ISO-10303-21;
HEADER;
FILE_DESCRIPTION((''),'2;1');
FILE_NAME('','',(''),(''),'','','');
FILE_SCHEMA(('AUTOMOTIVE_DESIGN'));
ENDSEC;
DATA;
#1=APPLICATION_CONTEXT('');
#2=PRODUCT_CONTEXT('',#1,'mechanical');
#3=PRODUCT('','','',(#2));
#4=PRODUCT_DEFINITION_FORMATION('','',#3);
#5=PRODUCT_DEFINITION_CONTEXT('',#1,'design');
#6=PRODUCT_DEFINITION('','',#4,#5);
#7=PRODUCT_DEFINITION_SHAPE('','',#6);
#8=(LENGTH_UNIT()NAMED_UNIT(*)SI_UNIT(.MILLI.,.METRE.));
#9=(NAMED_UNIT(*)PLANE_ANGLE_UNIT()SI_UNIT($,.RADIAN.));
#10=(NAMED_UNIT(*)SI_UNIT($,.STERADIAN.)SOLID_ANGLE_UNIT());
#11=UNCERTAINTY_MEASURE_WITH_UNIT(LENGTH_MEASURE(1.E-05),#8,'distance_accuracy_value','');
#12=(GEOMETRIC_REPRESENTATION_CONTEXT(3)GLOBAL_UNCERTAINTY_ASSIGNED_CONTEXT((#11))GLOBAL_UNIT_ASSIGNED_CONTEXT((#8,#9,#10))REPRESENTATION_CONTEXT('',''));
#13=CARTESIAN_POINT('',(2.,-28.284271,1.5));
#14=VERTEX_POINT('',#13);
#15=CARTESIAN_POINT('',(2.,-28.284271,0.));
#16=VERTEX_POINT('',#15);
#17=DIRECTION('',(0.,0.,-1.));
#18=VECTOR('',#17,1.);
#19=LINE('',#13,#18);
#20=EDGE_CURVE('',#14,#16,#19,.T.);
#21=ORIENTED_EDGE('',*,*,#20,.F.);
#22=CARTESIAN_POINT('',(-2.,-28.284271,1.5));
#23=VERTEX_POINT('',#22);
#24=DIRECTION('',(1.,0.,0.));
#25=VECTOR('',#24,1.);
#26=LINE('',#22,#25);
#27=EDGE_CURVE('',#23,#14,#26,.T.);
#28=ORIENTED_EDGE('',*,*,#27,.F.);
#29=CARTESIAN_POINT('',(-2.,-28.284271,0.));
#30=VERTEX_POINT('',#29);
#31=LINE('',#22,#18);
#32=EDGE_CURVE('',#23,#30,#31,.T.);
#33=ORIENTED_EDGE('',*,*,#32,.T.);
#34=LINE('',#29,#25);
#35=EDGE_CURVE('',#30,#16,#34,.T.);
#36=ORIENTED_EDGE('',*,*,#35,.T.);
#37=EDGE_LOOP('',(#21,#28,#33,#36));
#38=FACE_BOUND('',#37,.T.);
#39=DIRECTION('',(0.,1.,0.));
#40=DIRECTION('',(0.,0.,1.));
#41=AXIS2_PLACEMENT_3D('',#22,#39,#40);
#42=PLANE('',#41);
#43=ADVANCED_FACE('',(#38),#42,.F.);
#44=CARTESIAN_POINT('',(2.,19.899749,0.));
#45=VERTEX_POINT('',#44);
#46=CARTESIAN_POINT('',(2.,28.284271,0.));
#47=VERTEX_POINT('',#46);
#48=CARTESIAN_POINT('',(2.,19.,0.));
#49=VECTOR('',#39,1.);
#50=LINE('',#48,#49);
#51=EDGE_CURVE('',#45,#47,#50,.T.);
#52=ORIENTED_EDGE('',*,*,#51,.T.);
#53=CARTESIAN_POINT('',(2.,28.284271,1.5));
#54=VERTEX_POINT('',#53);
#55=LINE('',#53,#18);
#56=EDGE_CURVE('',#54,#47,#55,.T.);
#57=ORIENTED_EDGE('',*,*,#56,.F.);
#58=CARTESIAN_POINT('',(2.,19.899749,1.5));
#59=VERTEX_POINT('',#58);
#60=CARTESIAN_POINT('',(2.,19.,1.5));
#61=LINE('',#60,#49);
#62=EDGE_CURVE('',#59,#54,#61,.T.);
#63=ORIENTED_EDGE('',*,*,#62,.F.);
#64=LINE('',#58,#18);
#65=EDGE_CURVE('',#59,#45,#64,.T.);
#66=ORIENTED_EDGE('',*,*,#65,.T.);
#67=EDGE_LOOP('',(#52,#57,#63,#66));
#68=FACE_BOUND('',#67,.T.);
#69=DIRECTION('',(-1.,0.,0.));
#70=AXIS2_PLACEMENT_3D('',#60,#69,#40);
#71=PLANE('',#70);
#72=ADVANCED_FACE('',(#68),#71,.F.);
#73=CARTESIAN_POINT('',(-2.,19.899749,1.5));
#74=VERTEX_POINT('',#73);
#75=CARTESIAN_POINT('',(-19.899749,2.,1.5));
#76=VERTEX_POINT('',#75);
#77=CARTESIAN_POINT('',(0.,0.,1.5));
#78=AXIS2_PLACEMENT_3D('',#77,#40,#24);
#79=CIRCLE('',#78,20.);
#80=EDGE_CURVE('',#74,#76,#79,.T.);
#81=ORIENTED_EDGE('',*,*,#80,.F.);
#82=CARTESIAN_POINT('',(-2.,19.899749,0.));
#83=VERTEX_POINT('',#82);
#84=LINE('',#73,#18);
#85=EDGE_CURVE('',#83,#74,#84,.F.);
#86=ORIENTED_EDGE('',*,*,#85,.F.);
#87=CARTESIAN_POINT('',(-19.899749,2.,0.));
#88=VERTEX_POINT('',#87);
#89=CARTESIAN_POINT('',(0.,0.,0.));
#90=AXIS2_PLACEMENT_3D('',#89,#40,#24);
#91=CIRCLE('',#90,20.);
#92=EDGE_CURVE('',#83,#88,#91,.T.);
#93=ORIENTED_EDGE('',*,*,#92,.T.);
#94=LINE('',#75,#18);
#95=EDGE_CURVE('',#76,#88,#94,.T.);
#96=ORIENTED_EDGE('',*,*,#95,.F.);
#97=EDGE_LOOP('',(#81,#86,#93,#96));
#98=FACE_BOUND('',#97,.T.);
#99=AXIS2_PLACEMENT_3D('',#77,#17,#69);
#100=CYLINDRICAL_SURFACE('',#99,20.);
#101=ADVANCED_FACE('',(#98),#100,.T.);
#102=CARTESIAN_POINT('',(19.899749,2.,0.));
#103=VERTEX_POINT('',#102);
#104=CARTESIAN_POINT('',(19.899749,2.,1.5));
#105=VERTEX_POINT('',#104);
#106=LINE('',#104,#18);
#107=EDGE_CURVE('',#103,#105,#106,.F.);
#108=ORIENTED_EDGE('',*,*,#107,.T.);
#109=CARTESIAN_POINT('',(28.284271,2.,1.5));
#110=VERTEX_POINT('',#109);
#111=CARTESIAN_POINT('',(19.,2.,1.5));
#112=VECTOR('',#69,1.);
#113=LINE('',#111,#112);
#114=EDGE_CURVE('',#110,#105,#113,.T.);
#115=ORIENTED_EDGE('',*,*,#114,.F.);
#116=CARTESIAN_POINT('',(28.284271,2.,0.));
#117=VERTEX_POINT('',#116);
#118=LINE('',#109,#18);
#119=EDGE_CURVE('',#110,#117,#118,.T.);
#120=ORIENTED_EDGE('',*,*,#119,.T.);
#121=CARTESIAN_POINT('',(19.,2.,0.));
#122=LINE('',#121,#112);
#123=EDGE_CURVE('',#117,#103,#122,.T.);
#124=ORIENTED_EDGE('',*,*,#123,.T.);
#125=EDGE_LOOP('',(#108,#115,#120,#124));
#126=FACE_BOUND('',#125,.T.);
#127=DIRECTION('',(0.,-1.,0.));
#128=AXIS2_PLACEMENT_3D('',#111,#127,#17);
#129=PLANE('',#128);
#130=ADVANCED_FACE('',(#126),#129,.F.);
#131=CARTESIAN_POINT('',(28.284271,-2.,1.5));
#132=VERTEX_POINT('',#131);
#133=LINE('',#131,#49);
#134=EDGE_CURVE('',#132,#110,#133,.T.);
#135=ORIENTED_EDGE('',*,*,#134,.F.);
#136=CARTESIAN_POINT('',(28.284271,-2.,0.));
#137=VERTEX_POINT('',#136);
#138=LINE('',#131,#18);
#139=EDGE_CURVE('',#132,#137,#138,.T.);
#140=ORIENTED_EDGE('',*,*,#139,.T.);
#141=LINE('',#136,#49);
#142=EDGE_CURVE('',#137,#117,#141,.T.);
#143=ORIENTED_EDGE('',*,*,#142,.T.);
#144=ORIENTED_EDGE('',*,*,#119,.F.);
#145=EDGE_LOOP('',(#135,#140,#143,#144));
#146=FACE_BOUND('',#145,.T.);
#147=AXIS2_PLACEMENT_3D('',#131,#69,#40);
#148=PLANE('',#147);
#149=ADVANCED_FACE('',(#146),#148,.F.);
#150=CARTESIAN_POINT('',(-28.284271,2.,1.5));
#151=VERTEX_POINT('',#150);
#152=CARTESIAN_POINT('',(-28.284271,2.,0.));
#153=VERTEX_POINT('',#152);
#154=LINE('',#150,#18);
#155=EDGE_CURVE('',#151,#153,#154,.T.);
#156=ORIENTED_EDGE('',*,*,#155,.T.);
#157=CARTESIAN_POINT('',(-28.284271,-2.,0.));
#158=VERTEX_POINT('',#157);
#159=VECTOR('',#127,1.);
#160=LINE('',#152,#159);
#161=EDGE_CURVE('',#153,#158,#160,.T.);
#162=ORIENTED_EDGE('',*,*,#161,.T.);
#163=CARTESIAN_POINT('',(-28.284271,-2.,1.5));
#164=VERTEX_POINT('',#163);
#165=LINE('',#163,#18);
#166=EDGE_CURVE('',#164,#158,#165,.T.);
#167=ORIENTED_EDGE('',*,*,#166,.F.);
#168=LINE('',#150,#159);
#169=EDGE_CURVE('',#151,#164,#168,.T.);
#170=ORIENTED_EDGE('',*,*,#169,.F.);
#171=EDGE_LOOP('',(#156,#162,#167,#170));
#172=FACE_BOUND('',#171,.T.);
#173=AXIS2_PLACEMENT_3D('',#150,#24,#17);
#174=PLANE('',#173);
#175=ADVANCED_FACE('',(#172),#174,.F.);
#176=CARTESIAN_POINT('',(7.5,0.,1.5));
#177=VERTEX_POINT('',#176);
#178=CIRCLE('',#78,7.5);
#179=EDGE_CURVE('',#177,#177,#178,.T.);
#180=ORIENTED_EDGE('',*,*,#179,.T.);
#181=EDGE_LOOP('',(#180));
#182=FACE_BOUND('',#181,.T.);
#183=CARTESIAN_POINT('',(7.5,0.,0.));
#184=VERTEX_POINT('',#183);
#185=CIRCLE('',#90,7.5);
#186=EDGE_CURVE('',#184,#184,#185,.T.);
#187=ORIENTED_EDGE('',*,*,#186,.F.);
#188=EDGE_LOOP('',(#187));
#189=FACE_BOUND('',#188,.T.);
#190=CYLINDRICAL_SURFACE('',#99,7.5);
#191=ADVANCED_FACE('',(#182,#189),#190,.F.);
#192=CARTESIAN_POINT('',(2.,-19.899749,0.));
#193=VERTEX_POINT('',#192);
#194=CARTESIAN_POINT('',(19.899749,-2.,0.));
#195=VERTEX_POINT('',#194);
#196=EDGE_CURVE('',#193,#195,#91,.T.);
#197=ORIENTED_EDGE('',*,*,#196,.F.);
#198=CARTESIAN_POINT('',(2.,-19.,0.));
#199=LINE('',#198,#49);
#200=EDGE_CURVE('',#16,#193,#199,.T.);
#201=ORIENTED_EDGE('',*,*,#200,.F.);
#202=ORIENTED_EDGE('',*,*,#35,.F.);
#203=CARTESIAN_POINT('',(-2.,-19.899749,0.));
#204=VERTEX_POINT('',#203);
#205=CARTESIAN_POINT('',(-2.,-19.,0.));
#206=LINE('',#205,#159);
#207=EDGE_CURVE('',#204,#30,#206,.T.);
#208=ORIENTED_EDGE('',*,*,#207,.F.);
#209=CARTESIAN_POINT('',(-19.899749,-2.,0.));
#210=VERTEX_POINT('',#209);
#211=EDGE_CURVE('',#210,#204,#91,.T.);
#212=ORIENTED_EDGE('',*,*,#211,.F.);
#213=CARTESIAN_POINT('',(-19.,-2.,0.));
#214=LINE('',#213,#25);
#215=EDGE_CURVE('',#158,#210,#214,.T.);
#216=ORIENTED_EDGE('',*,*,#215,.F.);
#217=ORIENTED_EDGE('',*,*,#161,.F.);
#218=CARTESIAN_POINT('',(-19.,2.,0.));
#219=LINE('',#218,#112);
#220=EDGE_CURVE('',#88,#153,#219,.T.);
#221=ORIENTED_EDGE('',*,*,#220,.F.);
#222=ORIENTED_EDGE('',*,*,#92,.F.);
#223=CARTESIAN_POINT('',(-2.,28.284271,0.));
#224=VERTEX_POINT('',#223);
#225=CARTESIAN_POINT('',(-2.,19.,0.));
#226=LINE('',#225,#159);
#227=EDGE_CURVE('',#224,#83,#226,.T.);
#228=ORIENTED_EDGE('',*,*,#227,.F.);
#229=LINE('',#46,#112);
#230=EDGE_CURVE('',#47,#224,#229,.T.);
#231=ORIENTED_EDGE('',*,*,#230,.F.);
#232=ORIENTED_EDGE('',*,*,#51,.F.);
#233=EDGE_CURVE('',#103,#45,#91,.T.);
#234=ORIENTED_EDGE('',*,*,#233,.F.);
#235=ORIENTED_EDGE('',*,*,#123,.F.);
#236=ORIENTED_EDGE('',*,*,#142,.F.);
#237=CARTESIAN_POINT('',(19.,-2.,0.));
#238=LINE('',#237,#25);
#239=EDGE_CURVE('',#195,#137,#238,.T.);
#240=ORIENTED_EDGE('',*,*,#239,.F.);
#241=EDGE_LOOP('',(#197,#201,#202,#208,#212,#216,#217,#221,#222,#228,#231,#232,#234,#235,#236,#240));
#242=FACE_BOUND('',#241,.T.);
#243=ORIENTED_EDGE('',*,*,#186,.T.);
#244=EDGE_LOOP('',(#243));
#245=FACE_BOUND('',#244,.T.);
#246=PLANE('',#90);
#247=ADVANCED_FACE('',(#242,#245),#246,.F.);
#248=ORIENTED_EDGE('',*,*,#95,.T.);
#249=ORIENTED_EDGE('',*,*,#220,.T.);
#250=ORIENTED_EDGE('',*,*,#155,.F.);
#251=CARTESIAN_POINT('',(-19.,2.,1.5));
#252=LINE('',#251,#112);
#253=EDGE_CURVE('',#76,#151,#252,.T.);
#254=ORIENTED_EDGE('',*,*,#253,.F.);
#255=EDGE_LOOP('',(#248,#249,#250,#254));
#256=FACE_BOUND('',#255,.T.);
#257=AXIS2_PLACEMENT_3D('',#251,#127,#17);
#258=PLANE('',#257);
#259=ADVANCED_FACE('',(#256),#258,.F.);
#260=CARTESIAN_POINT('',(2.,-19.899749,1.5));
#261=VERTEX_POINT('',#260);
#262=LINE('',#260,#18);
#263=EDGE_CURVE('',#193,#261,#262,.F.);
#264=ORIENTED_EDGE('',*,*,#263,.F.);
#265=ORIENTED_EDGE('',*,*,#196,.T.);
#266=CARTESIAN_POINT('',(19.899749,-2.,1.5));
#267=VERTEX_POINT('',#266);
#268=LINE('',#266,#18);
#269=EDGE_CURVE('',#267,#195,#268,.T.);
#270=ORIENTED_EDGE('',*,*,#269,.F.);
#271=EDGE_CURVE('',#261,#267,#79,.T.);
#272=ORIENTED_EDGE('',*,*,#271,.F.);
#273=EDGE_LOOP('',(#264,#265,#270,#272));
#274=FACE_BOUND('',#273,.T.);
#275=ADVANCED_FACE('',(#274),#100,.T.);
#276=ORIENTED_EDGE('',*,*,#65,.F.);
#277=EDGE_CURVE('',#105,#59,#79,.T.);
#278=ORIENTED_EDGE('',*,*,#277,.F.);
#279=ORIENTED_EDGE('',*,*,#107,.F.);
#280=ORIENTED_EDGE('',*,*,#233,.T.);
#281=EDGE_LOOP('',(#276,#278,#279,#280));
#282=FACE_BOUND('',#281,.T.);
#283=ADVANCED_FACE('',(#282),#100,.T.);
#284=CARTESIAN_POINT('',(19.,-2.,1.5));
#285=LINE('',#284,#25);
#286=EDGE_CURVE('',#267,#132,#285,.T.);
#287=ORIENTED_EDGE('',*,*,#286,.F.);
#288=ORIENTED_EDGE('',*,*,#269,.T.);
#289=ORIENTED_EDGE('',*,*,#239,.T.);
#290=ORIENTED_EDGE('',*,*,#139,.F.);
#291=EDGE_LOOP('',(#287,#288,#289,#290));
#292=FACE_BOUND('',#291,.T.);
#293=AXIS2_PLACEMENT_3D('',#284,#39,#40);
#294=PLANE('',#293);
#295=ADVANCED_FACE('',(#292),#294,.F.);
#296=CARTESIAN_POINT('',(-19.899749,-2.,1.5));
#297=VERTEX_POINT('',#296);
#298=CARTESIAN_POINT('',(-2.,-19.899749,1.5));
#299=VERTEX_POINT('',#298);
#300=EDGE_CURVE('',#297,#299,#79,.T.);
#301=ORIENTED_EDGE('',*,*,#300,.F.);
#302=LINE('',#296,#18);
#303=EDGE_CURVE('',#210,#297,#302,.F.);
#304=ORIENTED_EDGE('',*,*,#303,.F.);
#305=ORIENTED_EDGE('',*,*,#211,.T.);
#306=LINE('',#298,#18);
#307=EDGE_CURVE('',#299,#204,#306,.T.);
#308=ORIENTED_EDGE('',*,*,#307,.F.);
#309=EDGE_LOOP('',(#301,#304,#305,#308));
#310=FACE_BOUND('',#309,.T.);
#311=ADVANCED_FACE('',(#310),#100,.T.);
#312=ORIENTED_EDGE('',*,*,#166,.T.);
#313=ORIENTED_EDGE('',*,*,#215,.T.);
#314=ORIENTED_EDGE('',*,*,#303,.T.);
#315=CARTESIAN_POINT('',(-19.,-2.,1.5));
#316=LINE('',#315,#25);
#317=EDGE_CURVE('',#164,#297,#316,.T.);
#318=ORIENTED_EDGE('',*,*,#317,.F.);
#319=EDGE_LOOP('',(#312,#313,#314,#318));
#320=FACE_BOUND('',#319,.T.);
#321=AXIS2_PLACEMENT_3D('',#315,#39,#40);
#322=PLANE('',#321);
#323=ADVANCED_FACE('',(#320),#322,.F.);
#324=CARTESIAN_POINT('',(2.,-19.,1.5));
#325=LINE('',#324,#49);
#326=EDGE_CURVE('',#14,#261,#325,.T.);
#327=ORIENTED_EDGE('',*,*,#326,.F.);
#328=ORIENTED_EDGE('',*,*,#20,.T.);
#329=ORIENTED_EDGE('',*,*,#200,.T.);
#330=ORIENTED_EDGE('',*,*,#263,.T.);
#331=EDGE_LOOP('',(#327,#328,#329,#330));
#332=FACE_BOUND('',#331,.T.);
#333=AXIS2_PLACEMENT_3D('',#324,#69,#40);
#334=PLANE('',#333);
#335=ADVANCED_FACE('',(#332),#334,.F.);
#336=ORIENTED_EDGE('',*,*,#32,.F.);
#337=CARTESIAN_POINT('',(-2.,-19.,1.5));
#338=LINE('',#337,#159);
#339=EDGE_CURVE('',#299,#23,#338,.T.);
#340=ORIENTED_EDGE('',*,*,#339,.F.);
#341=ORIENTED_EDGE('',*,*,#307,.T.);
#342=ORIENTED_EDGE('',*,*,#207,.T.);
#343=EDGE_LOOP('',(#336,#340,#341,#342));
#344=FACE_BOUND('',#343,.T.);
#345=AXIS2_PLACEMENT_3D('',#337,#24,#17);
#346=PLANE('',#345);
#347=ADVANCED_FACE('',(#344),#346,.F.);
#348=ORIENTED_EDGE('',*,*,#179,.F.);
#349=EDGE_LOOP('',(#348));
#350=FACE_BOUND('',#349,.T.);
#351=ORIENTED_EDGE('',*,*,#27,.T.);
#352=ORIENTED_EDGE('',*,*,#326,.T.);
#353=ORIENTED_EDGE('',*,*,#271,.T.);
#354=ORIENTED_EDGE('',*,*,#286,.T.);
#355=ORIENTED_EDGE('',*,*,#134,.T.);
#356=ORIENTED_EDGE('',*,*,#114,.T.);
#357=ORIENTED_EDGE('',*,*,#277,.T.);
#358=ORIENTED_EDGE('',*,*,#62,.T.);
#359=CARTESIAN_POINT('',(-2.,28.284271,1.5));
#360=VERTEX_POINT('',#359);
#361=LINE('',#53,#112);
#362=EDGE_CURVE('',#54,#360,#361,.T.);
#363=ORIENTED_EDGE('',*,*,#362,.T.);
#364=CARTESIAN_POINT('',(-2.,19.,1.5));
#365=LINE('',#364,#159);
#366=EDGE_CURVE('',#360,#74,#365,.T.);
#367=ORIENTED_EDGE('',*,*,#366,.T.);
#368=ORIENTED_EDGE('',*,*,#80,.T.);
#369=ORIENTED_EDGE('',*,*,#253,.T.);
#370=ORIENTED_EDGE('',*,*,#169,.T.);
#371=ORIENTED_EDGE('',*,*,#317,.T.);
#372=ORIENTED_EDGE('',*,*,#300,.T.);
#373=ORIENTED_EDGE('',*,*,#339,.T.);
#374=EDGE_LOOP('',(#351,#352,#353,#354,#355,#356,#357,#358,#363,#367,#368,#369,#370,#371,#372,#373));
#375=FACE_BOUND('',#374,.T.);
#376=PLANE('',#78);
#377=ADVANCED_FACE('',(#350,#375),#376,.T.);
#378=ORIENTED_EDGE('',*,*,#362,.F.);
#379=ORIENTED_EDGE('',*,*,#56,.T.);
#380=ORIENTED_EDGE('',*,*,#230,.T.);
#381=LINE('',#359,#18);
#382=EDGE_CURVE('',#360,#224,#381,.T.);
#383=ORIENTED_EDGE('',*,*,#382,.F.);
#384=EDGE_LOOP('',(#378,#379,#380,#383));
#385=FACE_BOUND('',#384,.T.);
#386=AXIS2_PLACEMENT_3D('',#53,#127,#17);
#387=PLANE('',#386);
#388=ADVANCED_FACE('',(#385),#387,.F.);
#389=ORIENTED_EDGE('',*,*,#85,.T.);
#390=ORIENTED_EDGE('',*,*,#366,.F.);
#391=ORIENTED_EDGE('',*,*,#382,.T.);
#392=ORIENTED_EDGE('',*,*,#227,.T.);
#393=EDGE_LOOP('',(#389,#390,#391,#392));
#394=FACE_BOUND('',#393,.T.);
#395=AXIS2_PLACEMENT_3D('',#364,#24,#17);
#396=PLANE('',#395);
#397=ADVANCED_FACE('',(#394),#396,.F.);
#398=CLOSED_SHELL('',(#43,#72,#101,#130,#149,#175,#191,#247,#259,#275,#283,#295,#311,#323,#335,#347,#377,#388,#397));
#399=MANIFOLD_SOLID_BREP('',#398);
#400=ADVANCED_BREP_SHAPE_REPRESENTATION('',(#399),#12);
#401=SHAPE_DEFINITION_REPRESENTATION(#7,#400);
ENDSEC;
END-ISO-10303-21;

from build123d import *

# Parameters (mm, degrees)
SKETCH_1_R      = 20
SKETCH_1_R_2    = 7.5
EXTRUDE_1_DEPTH = 1.5
SKETCH_2_W      = 9.284271247
SKETCH_2_H      = 4
SKETCH_2_W_2    = 4
SKETCH_2_H_2    = 9.284271247
EXTRUDE_2_DEPTH = 1.5


with BuildPart() as part:
    # 草图1 → 凸台-拉伸1 (new body)
    with BuildSketch(Plane.XY):
        Circle(SKETCH_1_R)
        Circle(SKETCH_1_R_2, mode=Mode.SUBTRACT)
    extrude(amount=EXTRUDE_1_DEPTH)

    # 草图2 → 凸台-拉伸2 (add)
    with BuildSketch(Plane.XY):
        with Locations((23.642135624, 0)):
            Rectangle(SKETCH_2_W, SKETCH_2_H)
        with Locations((0, 23.642135624)):
            Rectangle(SKETCH_2_W_2, SKETCH_2_H_2)
        with Locations((-23.642135624, 0)):
            Rectangle(SKETCH_2_W, SKETCH_2_H)
        with Locations((0, -23.642135624)):
            Rectangle(SKETCH_2_W_2, SKETCH_2_H_2)
    extrude(amount=EXTRUDE_2_DEPTH)


solid = part.part
